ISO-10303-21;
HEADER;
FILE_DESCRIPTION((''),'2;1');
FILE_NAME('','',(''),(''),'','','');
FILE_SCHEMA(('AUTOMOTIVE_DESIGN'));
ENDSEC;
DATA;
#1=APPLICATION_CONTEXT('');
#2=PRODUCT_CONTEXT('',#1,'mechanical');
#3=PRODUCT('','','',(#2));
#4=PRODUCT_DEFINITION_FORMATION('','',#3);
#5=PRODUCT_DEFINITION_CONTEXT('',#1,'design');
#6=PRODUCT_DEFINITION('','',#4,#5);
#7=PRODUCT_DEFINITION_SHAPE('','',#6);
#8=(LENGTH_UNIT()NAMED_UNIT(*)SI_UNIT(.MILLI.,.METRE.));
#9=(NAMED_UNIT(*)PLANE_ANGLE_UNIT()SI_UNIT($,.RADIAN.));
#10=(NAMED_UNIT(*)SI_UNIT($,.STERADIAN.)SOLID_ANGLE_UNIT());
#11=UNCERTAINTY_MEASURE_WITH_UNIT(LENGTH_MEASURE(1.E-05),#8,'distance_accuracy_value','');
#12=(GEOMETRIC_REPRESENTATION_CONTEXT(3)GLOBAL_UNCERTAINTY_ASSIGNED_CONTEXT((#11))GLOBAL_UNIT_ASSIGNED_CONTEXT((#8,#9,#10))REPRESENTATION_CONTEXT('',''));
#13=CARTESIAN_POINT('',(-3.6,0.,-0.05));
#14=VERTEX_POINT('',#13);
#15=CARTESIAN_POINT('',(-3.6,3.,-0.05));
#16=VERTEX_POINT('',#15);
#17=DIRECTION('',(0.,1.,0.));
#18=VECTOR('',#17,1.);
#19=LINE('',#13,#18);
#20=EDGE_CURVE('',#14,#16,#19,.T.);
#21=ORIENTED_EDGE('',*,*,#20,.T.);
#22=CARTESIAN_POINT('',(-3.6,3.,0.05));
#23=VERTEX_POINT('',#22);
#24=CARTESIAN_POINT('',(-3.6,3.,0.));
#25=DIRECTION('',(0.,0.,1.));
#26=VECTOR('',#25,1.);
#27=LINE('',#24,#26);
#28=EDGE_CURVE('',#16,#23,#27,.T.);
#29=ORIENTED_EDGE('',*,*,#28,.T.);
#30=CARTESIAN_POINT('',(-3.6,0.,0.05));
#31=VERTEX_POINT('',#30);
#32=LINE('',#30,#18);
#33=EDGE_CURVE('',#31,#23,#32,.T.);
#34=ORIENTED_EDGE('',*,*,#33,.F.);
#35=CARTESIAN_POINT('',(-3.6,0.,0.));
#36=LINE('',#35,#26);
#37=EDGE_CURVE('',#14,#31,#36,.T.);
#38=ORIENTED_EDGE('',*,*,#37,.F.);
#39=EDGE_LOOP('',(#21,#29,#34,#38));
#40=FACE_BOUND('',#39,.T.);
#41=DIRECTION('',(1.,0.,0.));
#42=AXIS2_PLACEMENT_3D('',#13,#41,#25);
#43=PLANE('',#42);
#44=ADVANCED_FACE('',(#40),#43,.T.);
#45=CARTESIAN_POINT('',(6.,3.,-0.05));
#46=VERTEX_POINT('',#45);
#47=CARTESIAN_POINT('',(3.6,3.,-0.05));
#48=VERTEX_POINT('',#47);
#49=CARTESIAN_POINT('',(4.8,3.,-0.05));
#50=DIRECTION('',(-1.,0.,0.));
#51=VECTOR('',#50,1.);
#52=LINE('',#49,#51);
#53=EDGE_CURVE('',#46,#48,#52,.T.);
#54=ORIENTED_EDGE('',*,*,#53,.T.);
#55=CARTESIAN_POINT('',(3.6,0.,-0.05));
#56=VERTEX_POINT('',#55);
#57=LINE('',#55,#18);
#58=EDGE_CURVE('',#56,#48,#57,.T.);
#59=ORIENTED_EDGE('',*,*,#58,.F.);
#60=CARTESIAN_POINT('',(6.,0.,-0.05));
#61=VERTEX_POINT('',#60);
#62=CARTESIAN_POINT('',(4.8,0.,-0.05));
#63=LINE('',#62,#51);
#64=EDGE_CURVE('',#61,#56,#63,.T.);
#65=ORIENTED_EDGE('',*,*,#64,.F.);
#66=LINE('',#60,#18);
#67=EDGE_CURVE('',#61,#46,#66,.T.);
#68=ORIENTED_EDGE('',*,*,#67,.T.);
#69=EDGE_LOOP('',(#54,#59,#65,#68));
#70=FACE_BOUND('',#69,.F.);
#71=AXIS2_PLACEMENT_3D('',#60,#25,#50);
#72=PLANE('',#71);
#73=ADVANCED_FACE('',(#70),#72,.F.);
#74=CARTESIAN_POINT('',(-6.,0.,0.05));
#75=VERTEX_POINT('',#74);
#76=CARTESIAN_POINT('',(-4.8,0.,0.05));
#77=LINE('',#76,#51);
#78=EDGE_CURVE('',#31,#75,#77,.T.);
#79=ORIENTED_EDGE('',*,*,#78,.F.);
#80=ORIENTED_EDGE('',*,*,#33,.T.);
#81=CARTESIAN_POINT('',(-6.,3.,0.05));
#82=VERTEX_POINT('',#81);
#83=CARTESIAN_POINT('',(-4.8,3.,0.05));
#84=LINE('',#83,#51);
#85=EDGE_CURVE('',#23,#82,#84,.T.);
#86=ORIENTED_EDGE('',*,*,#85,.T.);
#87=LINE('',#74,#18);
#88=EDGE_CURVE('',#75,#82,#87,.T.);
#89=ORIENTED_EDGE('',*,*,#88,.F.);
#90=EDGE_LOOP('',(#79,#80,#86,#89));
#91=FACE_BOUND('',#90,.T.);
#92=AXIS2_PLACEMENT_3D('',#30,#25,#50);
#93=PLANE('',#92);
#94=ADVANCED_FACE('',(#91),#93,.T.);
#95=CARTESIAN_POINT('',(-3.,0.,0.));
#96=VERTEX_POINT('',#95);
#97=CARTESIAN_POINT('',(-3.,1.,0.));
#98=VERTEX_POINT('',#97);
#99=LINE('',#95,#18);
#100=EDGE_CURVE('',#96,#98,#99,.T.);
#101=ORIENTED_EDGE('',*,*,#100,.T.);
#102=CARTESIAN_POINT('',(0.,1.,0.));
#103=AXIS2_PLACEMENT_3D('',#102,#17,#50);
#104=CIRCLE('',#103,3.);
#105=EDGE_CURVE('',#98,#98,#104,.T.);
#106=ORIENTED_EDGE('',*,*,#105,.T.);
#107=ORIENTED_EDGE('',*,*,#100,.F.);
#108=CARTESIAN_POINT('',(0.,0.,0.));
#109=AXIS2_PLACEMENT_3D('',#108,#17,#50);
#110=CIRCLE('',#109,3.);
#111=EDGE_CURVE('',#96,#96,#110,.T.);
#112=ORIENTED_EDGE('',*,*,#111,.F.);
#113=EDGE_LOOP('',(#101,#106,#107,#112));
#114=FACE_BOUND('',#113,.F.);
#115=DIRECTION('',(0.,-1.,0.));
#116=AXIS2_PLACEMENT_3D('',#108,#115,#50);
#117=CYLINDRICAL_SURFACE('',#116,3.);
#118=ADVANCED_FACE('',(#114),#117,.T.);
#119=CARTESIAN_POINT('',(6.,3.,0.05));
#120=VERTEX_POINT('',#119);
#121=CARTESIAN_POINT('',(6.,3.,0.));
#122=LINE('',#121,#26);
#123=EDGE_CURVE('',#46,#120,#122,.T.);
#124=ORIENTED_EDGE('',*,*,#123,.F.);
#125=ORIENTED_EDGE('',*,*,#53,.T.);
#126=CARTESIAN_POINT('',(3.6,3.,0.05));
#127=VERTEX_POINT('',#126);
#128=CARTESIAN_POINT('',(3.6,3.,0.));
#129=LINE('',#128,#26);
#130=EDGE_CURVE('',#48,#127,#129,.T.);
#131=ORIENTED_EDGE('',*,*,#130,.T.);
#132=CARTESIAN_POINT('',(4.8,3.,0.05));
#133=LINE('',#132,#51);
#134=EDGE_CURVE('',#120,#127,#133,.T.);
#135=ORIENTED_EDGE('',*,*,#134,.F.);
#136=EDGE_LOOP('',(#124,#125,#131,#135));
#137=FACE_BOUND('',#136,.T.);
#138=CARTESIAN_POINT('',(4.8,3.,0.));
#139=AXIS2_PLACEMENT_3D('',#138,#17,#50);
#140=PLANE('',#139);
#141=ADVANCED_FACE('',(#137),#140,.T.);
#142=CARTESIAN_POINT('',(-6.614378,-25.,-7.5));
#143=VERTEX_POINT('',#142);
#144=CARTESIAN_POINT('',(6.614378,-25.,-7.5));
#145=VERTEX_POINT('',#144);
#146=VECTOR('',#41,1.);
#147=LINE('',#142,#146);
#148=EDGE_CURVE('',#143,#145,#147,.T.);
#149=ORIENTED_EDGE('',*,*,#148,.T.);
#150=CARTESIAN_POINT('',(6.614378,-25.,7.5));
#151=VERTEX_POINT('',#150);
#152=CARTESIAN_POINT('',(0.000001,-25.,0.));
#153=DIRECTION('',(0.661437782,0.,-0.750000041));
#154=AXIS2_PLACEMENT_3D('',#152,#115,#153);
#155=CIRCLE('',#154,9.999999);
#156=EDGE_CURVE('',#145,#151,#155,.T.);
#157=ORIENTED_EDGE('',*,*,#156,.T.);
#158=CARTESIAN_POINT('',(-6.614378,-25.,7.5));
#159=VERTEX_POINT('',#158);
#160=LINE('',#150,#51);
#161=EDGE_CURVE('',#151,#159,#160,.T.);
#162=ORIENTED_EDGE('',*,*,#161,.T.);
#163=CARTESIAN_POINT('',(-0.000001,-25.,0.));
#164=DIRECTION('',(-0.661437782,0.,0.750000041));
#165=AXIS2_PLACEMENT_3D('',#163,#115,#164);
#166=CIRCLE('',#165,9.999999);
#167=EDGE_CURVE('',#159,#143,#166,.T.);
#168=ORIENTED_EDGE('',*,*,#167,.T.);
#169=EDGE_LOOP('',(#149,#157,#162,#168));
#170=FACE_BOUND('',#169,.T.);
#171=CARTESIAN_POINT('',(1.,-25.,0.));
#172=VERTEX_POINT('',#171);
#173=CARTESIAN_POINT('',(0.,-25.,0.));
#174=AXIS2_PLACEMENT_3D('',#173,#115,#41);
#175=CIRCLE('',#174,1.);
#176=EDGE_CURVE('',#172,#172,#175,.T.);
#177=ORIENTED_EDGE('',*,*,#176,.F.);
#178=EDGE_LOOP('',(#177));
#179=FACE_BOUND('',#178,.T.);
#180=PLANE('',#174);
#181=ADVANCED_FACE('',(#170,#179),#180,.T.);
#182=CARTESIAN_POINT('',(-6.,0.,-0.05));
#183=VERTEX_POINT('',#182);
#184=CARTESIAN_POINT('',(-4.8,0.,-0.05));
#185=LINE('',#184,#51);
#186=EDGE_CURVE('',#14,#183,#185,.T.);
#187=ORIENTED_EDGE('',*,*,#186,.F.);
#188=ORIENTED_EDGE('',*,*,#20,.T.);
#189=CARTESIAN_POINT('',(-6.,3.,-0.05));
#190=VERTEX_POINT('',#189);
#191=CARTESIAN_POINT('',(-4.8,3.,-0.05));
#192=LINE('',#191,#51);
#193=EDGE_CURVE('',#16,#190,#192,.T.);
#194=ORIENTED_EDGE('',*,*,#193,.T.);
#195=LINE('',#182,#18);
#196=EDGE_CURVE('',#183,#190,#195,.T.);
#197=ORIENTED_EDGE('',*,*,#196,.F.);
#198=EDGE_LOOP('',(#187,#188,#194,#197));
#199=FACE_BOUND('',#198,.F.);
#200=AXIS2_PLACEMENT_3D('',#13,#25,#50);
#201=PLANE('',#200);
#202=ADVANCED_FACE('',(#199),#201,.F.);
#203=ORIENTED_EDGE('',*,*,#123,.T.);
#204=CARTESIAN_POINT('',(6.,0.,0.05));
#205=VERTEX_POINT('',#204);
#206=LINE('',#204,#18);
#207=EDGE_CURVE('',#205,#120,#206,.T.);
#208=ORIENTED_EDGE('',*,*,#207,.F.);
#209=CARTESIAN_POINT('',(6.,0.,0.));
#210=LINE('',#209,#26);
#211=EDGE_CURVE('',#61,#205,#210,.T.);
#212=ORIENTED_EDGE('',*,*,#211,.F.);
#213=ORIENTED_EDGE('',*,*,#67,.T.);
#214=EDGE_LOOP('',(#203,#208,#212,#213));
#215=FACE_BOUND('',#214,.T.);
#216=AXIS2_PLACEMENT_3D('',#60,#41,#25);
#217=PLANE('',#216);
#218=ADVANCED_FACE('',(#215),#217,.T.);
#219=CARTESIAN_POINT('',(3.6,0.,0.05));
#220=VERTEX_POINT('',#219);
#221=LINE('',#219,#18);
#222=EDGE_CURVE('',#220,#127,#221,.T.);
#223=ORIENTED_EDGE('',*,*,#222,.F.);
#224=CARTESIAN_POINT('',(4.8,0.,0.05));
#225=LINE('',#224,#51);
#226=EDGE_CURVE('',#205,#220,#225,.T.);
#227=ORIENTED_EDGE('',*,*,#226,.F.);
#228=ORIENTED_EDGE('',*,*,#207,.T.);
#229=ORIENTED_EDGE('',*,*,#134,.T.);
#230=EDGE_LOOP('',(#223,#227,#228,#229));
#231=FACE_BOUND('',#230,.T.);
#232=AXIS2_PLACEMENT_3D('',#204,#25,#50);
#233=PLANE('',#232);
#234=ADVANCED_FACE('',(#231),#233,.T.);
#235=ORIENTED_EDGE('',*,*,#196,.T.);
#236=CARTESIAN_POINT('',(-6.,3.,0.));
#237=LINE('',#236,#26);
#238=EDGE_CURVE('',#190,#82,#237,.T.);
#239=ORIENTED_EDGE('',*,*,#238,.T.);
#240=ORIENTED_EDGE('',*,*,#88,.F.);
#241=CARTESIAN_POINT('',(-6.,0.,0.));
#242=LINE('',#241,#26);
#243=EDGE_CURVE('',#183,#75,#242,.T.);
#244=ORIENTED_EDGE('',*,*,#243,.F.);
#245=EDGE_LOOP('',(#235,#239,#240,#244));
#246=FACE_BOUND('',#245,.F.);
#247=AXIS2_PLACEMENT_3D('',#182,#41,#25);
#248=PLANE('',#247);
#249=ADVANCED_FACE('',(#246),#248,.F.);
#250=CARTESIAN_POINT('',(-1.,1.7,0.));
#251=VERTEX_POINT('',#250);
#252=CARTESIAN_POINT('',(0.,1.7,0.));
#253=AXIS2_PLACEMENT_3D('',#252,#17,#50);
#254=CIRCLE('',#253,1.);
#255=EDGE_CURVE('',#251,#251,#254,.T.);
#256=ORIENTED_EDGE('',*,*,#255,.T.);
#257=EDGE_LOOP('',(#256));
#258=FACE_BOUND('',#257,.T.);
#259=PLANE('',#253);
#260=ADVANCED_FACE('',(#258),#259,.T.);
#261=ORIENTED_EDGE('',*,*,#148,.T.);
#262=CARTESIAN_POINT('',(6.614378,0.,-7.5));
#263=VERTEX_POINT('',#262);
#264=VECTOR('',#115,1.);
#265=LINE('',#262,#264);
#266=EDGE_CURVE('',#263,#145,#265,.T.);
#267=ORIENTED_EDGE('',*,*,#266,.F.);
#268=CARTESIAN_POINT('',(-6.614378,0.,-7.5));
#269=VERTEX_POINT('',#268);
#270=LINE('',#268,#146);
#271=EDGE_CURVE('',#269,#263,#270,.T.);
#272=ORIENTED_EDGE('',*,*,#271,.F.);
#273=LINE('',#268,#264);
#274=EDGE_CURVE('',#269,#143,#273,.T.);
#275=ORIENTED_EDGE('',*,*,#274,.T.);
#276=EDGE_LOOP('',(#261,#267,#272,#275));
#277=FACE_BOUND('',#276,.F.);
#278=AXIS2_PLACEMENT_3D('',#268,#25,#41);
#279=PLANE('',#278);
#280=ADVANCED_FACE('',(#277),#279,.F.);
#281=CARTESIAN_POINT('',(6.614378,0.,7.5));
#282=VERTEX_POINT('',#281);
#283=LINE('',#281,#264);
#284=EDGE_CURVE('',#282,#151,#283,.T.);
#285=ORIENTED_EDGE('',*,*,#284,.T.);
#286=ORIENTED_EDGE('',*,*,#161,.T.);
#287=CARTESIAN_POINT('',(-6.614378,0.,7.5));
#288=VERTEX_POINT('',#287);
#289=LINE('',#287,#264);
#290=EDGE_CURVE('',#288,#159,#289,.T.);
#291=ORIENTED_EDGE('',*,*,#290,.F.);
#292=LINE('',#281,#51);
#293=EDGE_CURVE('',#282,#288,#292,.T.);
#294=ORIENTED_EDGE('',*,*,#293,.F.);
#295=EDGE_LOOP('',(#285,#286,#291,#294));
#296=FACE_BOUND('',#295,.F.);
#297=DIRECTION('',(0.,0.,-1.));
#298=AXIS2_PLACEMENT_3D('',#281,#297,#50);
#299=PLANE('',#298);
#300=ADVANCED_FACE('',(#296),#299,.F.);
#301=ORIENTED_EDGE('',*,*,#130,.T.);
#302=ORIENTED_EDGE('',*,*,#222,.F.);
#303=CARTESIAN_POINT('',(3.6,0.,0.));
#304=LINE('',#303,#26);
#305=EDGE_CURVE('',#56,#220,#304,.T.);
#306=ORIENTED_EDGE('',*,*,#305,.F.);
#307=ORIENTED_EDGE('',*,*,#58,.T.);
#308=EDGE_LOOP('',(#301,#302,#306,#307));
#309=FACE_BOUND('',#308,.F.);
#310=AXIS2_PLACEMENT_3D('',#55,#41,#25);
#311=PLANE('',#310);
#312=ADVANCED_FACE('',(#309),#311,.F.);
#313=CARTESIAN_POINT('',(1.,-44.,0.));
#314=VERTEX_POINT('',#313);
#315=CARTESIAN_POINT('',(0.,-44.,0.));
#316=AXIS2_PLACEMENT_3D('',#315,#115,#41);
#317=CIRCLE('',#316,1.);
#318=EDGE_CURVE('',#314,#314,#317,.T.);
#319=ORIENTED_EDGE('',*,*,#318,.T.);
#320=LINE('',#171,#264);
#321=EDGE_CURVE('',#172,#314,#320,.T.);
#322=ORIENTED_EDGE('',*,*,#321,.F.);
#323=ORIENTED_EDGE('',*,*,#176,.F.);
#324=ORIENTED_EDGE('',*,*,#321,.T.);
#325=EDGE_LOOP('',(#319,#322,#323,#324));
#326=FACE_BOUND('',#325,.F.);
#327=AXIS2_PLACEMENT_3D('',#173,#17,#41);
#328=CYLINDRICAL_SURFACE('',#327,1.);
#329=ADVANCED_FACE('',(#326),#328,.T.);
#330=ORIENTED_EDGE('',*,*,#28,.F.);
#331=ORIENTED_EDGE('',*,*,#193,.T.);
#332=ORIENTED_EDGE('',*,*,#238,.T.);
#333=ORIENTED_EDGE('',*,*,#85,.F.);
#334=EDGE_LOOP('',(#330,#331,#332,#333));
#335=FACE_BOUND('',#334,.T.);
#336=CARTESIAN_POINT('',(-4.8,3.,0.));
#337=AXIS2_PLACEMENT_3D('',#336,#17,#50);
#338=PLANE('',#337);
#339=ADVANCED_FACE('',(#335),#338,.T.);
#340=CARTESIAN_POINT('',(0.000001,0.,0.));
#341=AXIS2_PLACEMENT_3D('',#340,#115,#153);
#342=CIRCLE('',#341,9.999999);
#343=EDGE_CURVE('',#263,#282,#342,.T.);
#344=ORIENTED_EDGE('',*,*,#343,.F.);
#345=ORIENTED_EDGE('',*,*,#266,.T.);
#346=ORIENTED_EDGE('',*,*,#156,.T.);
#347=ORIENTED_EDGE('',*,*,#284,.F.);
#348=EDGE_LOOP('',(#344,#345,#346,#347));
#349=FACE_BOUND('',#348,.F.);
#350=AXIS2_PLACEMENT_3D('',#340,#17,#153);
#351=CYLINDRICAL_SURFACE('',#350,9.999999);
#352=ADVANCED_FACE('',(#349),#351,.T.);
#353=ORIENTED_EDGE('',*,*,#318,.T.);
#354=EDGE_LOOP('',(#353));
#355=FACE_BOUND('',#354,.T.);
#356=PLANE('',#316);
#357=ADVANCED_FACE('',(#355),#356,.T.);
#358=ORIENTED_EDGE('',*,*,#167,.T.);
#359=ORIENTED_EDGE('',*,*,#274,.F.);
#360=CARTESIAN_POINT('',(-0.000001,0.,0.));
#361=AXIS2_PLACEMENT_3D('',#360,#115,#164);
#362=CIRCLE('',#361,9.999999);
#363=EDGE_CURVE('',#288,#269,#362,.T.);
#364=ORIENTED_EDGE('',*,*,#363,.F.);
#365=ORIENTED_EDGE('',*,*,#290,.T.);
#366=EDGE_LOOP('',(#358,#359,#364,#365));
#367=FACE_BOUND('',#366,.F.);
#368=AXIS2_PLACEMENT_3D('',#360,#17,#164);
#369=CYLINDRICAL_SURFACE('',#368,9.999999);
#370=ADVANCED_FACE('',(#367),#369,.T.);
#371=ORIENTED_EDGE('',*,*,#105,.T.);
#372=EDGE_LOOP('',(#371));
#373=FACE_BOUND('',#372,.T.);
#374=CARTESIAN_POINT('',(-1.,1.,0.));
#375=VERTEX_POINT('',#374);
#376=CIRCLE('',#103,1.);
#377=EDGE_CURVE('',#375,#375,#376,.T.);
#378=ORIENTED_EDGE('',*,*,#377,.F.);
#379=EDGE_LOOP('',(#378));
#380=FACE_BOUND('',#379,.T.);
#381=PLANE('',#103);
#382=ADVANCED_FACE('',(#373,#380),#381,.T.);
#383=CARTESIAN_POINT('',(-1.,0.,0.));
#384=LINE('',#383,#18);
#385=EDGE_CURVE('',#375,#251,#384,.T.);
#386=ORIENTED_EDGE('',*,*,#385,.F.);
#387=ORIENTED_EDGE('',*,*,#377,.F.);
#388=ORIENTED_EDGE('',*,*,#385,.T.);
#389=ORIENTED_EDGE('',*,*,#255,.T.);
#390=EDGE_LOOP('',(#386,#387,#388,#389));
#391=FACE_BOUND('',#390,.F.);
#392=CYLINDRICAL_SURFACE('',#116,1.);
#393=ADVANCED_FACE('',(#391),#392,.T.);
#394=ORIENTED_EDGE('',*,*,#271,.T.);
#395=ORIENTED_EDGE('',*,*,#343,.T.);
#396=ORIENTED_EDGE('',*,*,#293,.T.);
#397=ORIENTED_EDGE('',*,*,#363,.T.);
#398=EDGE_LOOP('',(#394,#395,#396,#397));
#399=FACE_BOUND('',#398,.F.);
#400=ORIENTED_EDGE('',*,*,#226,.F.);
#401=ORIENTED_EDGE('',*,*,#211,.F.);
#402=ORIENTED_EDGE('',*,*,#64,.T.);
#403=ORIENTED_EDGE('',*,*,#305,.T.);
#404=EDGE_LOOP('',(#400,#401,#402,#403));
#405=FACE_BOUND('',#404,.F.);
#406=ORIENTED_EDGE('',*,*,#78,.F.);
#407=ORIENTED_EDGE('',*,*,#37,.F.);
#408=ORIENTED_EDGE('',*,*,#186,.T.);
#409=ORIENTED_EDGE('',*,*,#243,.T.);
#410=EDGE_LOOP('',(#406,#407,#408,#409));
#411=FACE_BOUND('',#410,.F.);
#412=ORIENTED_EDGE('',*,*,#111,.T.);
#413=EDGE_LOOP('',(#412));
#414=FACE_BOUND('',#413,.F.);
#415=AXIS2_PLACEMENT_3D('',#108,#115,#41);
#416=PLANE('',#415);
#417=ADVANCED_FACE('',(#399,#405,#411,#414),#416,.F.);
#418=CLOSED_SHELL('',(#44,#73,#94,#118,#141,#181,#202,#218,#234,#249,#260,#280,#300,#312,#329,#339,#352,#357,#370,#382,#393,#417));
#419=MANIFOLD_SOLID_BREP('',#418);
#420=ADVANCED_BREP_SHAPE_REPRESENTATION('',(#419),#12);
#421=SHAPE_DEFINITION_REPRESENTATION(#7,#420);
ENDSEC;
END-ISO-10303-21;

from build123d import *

# Parameters (mm, degrees)
F1_DEPTH = 25
F2_W     = 2.4
F2_H     = 0.1
F3_DEPTH = 3
F4_R     = 3
F4_R_2   = 1
F5_DEPTH = 1
F6_R     = 1
F7_DEPTH = 1.7
F8_R     = 1
F9_DEPTH = 19


with BuildPart() as f1:
    # F0 (on Front) → F1 (new body)
    with BuildSketch(Plane.XZ):
        with BuildLine():
            Line((6.614378, 7.5), (-6.614378, 7.5))
            ThreePointArc((-6.614378, 7.5), (-10, 0), (-6.614378, -7.5))
            Line((-6.614378, -7.5), (6.614378, -7.5))
            ThreePointArc((6.614378, -7.5), (10, 0), (6.614378, 7.5))
        make_face()
    extrude(amount=F1_DEPTH)

    # F2 (on face) → F3 (join)
    with BuildSketch(Plane(origin=(0, 0, 0), x_dir=(-1, 0, 0), z_dir=(0, 1, 0))):
        with Locations((-4.8, 0)):
            Rectangle(F2_W, F2_H)
        with Locations((4.8, 0)):
            Rectangle(F2_W, F2_H)
    extrude(amount=F3_DEPTH)

    # F4 (on face) → F5 (join)
    with BuildSketch(Plane(origin=(0, 0, 0), x_dir=(-1, 0, 0), z_dir=(0, 1, 0))):
        Circle(F4_R)
        Circle(F4_R_2, mode=Mode.SUBTRACT)
    extrude(amount=F5_DEPTH)

    # F6 (on face) → F7 (join)
    with BuildSketch(Plane(origin=(0, 0, 0), x_dir=(-1, 0, 0), z_dir=(0, 1, 0))):
        Circle(F6_R)
    extrude(amount=F7_DEPTH)

    # F8 (on face) → F9 (join)
    with BuildSketch(Plane.XZ.offset(25)):
        Circle(F8_R)
    extrude(amount=F9_DEPTH)


solid = f1.part
